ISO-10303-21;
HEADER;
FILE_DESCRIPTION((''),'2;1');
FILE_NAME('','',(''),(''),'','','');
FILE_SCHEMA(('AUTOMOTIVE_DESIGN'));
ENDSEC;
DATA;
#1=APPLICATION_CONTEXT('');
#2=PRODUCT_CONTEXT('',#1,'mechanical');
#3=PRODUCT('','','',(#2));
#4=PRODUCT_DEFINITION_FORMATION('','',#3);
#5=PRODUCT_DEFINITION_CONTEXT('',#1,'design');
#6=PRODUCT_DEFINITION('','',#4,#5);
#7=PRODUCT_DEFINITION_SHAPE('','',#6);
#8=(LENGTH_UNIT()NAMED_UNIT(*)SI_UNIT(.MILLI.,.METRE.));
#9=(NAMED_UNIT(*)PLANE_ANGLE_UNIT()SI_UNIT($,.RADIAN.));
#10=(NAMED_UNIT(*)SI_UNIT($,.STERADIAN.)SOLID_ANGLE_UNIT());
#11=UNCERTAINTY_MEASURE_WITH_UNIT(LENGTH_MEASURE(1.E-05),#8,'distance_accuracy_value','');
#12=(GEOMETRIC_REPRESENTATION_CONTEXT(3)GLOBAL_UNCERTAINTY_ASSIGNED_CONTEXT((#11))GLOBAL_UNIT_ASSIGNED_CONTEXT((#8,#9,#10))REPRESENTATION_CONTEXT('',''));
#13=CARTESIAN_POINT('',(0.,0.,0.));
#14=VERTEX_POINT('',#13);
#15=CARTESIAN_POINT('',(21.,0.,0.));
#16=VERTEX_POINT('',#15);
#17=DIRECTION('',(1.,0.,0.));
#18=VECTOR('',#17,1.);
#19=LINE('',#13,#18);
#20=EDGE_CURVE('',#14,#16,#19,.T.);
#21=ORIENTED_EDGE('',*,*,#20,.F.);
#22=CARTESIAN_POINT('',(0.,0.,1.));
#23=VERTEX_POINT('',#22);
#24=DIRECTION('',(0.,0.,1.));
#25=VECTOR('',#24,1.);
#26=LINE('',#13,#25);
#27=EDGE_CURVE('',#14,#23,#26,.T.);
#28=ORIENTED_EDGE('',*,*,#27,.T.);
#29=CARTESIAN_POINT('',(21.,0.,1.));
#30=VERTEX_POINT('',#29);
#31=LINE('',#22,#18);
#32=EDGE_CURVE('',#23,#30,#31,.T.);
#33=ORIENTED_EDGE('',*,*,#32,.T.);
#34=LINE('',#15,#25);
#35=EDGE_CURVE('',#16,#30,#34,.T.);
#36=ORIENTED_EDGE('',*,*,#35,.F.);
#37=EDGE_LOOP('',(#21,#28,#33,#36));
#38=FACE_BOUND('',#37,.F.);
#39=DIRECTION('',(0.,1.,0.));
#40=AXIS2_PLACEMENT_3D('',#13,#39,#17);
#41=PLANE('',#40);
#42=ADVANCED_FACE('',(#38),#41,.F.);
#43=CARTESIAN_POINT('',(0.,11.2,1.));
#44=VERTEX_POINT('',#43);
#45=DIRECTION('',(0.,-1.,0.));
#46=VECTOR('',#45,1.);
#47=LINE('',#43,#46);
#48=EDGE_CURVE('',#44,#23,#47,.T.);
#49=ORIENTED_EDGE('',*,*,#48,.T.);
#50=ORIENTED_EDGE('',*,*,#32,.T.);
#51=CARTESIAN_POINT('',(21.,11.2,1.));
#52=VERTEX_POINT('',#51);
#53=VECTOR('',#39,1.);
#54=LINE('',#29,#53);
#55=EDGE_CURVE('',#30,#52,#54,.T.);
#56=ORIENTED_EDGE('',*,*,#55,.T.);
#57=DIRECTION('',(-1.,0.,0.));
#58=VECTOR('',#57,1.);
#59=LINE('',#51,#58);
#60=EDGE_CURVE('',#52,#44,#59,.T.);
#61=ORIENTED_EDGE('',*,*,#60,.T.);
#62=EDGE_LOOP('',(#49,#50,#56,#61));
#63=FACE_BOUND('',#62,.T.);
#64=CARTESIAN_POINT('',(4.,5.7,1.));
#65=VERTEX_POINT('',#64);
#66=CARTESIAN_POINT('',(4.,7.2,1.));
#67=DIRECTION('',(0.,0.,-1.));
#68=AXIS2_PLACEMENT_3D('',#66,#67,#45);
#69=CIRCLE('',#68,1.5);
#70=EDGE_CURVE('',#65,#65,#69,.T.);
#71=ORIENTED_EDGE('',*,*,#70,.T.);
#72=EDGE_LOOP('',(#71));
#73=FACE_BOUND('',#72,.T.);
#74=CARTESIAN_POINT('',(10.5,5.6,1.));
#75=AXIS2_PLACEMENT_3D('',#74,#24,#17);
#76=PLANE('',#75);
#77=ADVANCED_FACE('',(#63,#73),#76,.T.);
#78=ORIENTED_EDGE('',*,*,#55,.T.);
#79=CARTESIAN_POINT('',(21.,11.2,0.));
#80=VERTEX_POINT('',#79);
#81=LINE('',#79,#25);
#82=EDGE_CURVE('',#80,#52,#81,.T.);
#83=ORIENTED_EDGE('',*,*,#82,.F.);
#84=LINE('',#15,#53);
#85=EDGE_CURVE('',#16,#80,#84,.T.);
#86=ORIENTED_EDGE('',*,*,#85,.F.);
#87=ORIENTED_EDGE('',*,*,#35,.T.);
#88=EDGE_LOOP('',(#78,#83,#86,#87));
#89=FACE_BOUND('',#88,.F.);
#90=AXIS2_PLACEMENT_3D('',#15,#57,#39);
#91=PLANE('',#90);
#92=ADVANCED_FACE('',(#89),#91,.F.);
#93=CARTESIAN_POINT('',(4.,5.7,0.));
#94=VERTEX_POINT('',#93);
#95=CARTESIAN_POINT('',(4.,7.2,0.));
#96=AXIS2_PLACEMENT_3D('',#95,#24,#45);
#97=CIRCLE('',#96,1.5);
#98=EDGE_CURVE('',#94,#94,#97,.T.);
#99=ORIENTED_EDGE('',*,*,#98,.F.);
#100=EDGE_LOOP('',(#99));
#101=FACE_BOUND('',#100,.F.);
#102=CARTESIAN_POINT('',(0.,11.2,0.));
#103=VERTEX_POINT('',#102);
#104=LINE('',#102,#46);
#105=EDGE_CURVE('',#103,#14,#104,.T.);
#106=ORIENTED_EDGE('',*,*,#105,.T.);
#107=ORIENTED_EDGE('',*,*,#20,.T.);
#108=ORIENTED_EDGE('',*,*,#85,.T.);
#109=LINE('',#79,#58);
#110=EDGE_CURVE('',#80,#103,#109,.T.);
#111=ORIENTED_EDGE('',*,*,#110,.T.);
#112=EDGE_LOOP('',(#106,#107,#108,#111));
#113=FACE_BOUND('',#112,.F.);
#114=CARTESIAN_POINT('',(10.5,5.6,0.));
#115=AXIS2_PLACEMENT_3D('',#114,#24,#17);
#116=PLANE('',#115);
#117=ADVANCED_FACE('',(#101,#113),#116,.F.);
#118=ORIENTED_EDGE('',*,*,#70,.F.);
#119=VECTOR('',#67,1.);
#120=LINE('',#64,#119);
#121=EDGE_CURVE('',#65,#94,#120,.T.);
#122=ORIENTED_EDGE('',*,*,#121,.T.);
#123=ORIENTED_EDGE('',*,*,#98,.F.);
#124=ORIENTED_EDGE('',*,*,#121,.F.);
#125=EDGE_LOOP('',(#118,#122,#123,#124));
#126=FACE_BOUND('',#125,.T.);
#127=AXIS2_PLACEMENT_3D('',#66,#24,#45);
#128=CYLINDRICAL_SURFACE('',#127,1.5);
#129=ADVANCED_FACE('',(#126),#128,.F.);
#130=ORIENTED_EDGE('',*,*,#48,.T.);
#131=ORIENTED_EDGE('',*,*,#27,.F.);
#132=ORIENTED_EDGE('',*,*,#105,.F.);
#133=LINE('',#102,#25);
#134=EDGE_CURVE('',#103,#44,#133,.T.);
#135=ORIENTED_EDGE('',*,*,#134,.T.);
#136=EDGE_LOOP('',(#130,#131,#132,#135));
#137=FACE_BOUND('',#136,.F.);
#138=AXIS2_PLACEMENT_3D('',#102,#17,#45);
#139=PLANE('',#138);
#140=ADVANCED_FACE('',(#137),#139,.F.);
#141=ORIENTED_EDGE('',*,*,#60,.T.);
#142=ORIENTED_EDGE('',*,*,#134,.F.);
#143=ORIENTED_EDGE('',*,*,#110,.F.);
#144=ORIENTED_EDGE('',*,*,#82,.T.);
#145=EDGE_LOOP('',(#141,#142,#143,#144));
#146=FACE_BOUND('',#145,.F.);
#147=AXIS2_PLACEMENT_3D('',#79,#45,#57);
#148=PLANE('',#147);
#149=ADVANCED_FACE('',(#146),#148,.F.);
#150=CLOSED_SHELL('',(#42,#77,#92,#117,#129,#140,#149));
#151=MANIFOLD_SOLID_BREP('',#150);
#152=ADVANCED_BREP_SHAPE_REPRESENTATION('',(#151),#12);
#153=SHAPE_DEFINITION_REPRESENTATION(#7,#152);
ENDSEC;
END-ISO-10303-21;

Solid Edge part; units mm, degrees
sketch "Sketch1" plane through (0, 0, 0) normal (0, 0, 1) x (1, 0, 0)
  line L0 (21, 11.2) -> (0, 11.2)
  line L1 (0, 11.2) -> (0, 0)
  line L2 (0, 0) -> (21, 0)
  line L3 (21, 0) -> (21, 11.2)
extrude "Protrusion1" add sketch "Sketch1" along normal blind 1
hole "Hole_1" at (4, 7.2, 1) direction (0, 0, -1) diameter 3 end through all
